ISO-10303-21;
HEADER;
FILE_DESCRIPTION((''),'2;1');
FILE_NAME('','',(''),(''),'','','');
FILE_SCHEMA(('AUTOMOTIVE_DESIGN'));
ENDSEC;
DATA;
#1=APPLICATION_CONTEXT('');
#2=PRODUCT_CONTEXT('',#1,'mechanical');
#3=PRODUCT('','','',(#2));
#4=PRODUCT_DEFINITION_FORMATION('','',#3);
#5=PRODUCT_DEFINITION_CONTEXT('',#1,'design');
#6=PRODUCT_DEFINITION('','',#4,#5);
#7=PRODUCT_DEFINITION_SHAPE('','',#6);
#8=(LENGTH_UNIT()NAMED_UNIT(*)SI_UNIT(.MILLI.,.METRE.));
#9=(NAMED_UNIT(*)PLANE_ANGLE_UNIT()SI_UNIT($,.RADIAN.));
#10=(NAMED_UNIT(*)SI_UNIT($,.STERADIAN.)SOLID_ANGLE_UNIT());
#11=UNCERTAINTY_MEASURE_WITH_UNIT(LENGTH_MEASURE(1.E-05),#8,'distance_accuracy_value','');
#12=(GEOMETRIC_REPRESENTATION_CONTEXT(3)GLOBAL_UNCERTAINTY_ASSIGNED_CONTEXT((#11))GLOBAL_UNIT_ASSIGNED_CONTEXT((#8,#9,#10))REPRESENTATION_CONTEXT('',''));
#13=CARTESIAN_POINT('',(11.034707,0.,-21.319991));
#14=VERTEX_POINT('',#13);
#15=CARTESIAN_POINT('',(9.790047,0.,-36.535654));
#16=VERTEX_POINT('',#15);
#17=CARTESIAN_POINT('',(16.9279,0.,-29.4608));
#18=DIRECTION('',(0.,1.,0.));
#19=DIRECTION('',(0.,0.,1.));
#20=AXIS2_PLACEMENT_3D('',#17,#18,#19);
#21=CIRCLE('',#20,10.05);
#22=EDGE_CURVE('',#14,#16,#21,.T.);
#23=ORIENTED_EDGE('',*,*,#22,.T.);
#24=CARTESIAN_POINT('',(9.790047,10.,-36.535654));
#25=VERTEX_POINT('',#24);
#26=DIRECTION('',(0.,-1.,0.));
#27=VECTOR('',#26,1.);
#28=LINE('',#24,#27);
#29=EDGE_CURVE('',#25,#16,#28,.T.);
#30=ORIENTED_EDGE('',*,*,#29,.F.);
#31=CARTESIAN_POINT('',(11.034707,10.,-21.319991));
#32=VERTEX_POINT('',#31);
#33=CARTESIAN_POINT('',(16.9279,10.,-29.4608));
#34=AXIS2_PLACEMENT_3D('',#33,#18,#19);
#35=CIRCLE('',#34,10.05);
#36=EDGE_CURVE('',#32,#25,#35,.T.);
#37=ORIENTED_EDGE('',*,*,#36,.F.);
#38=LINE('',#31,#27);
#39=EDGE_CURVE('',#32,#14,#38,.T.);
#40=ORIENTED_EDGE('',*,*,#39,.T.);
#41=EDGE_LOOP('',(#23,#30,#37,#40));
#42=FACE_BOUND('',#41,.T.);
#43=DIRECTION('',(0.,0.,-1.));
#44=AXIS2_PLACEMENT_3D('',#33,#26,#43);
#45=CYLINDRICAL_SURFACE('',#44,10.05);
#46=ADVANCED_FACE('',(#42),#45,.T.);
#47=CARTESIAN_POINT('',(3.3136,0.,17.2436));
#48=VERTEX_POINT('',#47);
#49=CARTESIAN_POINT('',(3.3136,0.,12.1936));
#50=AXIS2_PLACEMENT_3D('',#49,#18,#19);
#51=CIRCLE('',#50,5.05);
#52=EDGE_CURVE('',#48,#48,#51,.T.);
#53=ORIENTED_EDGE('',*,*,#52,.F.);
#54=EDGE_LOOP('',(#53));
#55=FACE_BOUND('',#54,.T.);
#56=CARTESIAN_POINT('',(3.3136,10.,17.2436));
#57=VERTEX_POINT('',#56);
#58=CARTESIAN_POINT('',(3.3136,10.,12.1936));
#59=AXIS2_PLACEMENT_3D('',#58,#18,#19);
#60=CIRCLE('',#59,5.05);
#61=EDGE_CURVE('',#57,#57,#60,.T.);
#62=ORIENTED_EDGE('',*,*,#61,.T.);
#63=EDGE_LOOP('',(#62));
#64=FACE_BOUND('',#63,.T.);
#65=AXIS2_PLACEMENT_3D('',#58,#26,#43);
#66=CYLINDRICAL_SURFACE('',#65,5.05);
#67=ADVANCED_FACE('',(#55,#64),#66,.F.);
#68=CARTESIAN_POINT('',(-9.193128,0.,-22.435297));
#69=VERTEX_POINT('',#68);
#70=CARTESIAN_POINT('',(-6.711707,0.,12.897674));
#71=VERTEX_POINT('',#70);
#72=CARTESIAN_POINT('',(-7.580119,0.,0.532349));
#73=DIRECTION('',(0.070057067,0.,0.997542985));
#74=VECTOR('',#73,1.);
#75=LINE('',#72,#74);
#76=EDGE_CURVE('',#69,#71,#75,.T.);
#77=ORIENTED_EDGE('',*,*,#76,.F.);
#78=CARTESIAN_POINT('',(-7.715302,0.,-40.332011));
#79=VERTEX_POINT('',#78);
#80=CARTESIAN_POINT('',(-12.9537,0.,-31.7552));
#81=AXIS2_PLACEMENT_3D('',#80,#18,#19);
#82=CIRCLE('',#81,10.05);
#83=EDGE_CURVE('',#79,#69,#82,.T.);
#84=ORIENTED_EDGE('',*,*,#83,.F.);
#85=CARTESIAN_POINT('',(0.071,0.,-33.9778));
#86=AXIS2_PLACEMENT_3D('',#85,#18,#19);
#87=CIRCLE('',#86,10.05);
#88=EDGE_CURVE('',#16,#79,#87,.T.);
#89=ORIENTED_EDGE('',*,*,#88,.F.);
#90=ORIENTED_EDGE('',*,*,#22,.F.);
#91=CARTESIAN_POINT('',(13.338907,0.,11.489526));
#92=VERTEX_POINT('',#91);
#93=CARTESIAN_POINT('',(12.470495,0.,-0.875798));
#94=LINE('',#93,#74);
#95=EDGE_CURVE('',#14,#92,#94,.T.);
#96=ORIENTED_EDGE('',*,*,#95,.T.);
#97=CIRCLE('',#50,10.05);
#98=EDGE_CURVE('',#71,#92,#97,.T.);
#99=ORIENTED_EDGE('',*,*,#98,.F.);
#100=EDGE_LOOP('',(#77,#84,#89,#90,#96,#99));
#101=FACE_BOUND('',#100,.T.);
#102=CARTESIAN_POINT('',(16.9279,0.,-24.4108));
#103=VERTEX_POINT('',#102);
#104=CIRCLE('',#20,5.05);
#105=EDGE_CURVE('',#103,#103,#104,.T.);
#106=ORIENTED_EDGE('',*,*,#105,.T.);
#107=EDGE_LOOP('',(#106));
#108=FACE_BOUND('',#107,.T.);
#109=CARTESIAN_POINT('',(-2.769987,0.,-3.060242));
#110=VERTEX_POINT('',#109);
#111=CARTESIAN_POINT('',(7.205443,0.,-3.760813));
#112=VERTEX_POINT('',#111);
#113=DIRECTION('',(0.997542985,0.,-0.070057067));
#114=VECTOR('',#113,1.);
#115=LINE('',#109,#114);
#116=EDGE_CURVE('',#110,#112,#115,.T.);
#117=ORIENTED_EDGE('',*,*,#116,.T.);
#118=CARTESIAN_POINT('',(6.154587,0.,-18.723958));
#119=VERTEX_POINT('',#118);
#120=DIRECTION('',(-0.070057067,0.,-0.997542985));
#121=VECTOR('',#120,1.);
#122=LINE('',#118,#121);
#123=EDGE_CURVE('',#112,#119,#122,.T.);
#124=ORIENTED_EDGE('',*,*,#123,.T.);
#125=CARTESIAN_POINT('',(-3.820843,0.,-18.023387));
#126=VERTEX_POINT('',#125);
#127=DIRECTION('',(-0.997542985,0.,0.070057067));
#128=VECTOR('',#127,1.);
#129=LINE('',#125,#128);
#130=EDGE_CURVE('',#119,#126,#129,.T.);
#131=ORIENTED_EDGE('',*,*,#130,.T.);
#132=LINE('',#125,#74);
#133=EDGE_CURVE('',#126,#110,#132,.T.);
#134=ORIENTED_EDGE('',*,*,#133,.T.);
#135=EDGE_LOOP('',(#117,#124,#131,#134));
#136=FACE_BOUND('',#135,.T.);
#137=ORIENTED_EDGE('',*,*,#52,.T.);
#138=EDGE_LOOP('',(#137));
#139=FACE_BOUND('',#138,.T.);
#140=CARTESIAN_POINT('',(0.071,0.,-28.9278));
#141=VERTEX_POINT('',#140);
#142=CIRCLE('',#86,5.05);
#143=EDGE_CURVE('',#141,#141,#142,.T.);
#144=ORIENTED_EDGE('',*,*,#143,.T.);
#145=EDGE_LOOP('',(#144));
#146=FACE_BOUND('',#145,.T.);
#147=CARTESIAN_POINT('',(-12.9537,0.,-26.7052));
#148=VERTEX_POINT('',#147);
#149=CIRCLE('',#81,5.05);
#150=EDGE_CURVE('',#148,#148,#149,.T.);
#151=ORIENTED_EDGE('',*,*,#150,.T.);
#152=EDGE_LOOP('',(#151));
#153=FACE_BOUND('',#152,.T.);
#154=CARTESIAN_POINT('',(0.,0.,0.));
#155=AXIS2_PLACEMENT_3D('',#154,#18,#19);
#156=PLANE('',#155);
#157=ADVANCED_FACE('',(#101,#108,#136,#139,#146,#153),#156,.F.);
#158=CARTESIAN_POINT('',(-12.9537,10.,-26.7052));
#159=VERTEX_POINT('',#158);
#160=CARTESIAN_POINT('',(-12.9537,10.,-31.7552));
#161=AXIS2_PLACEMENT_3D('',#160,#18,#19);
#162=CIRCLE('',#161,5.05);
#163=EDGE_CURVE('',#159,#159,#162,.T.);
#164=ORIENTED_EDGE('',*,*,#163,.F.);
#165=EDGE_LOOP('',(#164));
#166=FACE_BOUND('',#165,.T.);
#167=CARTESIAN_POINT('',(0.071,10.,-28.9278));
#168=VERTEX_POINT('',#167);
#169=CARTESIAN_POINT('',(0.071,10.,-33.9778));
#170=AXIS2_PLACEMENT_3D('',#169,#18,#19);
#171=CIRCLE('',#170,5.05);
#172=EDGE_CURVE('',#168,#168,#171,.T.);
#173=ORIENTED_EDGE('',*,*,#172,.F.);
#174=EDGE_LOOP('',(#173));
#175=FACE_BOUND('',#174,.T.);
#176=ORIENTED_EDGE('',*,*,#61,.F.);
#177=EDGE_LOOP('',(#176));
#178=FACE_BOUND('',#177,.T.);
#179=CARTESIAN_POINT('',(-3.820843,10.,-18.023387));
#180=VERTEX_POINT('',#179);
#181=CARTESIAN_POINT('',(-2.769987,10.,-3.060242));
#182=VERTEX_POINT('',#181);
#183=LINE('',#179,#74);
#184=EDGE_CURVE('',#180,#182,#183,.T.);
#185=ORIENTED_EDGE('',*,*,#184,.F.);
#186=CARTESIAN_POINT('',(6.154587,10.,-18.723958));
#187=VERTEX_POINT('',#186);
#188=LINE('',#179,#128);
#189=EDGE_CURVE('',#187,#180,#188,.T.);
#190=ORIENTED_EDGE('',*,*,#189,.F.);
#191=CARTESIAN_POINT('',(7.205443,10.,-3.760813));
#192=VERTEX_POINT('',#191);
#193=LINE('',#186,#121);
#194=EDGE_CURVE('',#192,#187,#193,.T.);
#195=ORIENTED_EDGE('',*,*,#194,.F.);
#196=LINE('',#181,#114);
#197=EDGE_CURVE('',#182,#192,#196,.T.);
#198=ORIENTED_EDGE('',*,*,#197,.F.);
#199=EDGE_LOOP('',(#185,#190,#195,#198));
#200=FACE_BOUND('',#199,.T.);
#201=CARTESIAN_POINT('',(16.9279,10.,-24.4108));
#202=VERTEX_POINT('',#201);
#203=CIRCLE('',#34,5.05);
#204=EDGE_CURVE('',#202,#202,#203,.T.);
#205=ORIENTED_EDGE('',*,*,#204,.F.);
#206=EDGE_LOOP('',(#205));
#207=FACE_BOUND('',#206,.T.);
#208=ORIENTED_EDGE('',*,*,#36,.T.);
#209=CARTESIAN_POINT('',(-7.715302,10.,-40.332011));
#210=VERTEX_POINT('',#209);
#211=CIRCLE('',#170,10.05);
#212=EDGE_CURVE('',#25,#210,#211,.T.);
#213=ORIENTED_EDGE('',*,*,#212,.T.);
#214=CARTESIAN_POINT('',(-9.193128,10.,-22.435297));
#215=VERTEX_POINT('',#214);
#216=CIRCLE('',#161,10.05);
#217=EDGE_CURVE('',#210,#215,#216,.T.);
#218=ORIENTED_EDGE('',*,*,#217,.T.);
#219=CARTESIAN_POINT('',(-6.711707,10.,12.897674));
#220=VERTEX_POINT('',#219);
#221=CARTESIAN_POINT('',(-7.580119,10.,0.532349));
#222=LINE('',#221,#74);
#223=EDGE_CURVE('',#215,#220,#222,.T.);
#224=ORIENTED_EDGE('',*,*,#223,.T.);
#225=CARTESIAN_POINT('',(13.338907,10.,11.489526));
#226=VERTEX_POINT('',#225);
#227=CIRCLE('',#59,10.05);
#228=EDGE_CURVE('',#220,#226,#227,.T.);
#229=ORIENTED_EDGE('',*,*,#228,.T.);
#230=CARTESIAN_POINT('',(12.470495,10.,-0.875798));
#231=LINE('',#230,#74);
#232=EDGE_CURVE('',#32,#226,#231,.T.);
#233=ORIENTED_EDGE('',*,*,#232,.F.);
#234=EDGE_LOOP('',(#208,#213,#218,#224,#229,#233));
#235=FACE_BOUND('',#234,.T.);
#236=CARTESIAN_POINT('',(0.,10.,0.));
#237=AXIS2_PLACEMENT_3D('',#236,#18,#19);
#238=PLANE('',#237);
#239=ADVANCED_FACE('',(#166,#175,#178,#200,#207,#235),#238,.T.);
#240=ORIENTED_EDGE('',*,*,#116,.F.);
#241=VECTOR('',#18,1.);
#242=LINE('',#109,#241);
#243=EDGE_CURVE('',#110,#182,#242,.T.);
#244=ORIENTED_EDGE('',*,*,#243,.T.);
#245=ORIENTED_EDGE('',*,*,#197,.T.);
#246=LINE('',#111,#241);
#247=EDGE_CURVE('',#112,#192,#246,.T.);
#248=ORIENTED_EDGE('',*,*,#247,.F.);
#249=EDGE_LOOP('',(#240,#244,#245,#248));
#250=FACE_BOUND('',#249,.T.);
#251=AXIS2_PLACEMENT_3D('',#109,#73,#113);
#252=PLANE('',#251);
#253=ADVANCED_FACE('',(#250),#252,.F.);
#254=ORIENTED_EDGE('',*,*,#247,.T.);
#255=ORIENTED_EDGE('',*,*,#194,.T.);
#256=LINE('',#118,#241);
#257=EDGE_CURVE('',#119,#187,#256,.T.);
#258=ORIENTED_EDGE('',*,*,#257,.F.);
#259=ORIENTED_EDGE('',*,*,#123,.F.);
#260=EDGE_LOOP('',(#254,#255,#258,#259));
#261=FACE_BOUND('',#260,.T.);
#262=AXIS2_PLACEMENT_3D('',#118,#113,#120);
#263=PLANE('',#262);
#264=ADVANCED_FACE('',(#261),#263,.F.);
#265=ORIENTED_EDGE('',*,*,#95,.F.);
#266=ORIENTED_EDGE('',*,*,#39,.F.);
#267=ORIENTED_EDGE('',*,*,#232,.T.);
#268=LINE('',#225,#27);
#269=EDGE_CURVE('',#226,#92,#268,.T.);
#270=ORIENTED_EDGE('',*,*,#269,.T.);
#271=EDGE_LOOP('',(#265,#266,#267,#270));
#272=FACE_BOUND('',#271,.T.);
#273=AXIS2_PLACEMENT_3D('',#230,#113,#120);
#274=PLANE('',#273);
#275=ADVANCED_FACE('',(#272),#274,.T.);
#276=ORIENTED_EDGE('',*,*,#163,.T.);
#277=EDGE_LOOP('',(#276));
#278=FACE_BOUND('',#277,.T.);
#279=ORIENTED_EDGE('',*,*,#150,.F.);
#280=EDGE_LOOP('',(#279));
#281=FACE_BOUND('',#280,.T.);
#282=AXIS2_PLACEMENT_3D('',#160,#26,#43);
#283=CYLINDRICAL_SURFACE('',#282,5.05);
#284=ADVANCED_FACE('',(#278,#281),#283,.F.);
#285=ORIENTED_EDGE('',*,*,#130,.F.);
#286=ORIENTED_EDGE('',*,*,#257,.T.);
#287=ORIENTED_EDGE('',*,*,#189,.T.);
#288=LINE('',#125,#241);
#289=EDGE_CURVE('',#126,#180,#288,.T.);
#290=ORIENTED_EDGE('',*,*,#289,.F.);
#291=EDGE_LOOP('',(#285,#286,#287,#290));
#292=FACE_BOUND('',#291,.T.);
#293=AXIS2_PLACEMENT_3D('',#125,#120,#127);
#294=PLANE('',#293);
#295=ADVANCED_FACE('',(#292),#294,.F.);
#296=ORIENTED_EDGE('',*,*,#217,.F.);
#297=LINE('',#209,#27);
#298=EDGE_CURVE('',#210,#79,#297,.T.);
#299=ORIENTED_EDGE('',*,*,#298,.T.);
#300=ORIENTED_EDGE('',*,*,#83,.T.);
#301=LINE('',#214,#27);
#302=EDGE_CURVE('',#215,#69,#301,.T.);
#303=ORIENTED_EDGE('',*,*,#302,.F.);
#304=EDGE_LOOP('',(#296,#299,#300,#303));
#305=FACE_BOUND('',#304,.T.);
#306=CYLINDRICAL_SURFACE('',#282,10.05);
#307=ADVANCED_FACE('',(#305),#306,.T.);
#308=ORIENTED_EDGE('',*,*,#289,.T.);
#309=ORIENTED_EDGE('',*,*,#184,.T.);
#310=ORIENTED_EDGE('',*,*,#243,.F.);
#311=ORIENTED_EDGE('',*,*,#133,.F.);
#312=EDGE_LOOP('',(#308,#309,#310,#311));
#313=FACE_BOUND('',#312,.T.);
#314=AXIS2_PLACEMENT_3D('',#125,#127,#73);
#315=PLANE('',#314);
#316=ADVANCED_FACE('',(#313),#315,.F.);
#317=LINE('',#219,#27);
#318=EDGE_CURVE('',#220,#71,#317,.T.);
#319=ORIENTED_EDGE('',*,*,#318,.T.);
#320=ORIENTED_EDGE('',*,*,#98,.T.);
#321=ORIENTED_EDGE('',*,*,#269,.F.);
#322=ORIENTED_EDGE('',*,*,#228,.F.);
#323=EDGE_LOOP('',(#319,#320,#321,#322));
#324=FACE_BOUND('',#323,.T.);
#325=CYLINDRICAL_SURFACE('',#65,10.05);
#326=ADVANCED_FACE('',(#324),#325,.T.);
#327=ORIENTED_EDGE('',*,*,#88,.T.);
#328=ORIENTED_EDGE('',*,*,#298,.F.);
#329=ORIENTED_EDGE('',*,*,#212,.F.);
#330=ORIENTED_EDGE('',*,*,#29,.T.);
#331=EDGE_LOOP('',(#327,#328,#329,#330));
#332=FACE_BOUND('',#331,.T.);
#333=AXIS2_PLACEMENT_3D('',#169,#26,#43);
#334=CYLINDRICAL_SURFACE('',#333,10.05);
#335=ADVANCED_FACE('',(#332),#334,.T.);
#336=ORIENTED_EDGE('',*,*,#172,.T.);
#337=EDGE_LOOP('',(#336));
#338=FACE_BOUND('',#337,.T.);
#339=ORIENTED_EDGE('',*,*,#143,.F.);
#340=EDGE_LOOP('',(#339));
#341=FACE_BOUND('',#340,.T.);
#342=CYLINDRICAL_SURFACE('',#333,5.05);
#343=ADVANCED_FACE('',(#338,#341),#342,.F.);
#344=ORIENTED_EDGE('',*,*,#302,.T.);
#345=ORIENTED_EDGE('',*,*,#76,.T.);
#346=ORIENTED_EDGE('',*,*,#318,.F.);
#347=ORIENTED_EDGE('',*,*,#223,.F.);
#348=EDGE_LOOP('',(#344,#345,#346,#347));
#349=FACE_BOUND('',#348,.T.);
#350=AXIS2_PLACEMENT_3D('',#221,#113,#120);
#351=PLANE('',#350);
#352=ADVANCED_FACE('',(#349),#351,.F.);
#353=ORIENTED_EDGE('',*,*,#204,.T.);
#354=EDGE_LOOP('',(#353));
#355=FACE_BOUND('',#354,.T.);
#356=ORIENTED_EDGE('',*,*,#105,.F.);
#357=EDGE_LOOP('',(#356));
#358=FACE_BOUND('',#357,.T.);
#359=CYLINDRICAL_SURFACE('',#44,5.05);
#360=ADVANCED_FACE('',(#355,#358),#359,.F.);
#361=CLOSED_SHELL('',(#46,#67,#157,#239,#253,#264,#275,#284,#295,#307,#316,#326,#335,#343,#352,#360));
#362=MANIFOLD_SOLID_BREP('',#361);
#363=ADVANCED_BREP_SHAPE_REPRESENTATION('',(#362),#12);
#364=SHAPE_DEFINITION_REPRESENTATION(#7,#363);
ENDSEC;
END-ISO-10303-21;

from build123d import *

# Parameters (mm, degrees)
SKETCH1_R           = 5.05
BOSS_EXTRUDE1_DEPTH = 10
CUT_EXTRUDE1_DEPTH  = 10


with BuildPart() as part:
    # Sketch1 → Boss-Extrude1 (new body)
    with BuildSketch(Plane(origin=(0, 0, 0), x_dir=(1, 0, 0), z_dir=(0, 1, 0))):
        with BuildLine():
            Line((13.338907001, -11.489526472), (11.034706991, 21.319990694))
            ThreePointArc((11.034706991, 21.319990694), (26.944443341, 30.280165305), (9.790047406, 36.535654086))
            ThreePointArc((9.790047406, 36.535654086), (2.201013528, 43.799487348), (-7.715302177, 40.332011077))
            ThreePointArc((-7.715302177, 40.332011077), (-22.969610395, 32.582266479), (-9.193128161, 22.435296597))
            Line((-9.193128161, 22.435296597), (-6.711707001, -12.897673528))
            ThreePointArc((-6.711707001, -12.897673528), (4.017673528, -22.218907001), (13.338907001, -11.489526472))
        make_face()
        with Locations(Location((3.3136, -12.1936, 0), (0, 0, 270))):
            Circle(SKETCH1_R, mode=Mode.SUBTRACT)
        with Locations(Location((-12.9537, 31.7552, 0), (0, 0, 270))):
            Circle(SKETCH1_R, mode=Mode.SUBTRACT)
        with Locations(Location((0.071, 33.9778, 0), (0, 0, 270))):
            Circle(SKETCH1_R, mode=Mode.SUBTRACT)
        with Locations(Location((16.9279, 29.4608, 0), (0, 0, 270))):
            Circle(SKETCH1_R, mode=Mode.SUBTRACT)
    extrude(amount=BOSS_EXTRUDE1_DEPTH)

    # Sketch2 → Cut-Extrude1 (cut)
    with BuildSketch(Plane(origin=(0, 10, 0), x_dir=(1, 0, 0), z_dir=(0, 1, 0))):
        Polygon((-3.820842932, 18.023387052), (6.15458692, 18.723957726), (7.205442932, 3.760812948), (-2.76998692, 3.060242274), align=None)
    extrude(amount=-CUT_EXTRUDE1_DEPTH, mode=Mode.SUBTRACT)


solid = part.part
